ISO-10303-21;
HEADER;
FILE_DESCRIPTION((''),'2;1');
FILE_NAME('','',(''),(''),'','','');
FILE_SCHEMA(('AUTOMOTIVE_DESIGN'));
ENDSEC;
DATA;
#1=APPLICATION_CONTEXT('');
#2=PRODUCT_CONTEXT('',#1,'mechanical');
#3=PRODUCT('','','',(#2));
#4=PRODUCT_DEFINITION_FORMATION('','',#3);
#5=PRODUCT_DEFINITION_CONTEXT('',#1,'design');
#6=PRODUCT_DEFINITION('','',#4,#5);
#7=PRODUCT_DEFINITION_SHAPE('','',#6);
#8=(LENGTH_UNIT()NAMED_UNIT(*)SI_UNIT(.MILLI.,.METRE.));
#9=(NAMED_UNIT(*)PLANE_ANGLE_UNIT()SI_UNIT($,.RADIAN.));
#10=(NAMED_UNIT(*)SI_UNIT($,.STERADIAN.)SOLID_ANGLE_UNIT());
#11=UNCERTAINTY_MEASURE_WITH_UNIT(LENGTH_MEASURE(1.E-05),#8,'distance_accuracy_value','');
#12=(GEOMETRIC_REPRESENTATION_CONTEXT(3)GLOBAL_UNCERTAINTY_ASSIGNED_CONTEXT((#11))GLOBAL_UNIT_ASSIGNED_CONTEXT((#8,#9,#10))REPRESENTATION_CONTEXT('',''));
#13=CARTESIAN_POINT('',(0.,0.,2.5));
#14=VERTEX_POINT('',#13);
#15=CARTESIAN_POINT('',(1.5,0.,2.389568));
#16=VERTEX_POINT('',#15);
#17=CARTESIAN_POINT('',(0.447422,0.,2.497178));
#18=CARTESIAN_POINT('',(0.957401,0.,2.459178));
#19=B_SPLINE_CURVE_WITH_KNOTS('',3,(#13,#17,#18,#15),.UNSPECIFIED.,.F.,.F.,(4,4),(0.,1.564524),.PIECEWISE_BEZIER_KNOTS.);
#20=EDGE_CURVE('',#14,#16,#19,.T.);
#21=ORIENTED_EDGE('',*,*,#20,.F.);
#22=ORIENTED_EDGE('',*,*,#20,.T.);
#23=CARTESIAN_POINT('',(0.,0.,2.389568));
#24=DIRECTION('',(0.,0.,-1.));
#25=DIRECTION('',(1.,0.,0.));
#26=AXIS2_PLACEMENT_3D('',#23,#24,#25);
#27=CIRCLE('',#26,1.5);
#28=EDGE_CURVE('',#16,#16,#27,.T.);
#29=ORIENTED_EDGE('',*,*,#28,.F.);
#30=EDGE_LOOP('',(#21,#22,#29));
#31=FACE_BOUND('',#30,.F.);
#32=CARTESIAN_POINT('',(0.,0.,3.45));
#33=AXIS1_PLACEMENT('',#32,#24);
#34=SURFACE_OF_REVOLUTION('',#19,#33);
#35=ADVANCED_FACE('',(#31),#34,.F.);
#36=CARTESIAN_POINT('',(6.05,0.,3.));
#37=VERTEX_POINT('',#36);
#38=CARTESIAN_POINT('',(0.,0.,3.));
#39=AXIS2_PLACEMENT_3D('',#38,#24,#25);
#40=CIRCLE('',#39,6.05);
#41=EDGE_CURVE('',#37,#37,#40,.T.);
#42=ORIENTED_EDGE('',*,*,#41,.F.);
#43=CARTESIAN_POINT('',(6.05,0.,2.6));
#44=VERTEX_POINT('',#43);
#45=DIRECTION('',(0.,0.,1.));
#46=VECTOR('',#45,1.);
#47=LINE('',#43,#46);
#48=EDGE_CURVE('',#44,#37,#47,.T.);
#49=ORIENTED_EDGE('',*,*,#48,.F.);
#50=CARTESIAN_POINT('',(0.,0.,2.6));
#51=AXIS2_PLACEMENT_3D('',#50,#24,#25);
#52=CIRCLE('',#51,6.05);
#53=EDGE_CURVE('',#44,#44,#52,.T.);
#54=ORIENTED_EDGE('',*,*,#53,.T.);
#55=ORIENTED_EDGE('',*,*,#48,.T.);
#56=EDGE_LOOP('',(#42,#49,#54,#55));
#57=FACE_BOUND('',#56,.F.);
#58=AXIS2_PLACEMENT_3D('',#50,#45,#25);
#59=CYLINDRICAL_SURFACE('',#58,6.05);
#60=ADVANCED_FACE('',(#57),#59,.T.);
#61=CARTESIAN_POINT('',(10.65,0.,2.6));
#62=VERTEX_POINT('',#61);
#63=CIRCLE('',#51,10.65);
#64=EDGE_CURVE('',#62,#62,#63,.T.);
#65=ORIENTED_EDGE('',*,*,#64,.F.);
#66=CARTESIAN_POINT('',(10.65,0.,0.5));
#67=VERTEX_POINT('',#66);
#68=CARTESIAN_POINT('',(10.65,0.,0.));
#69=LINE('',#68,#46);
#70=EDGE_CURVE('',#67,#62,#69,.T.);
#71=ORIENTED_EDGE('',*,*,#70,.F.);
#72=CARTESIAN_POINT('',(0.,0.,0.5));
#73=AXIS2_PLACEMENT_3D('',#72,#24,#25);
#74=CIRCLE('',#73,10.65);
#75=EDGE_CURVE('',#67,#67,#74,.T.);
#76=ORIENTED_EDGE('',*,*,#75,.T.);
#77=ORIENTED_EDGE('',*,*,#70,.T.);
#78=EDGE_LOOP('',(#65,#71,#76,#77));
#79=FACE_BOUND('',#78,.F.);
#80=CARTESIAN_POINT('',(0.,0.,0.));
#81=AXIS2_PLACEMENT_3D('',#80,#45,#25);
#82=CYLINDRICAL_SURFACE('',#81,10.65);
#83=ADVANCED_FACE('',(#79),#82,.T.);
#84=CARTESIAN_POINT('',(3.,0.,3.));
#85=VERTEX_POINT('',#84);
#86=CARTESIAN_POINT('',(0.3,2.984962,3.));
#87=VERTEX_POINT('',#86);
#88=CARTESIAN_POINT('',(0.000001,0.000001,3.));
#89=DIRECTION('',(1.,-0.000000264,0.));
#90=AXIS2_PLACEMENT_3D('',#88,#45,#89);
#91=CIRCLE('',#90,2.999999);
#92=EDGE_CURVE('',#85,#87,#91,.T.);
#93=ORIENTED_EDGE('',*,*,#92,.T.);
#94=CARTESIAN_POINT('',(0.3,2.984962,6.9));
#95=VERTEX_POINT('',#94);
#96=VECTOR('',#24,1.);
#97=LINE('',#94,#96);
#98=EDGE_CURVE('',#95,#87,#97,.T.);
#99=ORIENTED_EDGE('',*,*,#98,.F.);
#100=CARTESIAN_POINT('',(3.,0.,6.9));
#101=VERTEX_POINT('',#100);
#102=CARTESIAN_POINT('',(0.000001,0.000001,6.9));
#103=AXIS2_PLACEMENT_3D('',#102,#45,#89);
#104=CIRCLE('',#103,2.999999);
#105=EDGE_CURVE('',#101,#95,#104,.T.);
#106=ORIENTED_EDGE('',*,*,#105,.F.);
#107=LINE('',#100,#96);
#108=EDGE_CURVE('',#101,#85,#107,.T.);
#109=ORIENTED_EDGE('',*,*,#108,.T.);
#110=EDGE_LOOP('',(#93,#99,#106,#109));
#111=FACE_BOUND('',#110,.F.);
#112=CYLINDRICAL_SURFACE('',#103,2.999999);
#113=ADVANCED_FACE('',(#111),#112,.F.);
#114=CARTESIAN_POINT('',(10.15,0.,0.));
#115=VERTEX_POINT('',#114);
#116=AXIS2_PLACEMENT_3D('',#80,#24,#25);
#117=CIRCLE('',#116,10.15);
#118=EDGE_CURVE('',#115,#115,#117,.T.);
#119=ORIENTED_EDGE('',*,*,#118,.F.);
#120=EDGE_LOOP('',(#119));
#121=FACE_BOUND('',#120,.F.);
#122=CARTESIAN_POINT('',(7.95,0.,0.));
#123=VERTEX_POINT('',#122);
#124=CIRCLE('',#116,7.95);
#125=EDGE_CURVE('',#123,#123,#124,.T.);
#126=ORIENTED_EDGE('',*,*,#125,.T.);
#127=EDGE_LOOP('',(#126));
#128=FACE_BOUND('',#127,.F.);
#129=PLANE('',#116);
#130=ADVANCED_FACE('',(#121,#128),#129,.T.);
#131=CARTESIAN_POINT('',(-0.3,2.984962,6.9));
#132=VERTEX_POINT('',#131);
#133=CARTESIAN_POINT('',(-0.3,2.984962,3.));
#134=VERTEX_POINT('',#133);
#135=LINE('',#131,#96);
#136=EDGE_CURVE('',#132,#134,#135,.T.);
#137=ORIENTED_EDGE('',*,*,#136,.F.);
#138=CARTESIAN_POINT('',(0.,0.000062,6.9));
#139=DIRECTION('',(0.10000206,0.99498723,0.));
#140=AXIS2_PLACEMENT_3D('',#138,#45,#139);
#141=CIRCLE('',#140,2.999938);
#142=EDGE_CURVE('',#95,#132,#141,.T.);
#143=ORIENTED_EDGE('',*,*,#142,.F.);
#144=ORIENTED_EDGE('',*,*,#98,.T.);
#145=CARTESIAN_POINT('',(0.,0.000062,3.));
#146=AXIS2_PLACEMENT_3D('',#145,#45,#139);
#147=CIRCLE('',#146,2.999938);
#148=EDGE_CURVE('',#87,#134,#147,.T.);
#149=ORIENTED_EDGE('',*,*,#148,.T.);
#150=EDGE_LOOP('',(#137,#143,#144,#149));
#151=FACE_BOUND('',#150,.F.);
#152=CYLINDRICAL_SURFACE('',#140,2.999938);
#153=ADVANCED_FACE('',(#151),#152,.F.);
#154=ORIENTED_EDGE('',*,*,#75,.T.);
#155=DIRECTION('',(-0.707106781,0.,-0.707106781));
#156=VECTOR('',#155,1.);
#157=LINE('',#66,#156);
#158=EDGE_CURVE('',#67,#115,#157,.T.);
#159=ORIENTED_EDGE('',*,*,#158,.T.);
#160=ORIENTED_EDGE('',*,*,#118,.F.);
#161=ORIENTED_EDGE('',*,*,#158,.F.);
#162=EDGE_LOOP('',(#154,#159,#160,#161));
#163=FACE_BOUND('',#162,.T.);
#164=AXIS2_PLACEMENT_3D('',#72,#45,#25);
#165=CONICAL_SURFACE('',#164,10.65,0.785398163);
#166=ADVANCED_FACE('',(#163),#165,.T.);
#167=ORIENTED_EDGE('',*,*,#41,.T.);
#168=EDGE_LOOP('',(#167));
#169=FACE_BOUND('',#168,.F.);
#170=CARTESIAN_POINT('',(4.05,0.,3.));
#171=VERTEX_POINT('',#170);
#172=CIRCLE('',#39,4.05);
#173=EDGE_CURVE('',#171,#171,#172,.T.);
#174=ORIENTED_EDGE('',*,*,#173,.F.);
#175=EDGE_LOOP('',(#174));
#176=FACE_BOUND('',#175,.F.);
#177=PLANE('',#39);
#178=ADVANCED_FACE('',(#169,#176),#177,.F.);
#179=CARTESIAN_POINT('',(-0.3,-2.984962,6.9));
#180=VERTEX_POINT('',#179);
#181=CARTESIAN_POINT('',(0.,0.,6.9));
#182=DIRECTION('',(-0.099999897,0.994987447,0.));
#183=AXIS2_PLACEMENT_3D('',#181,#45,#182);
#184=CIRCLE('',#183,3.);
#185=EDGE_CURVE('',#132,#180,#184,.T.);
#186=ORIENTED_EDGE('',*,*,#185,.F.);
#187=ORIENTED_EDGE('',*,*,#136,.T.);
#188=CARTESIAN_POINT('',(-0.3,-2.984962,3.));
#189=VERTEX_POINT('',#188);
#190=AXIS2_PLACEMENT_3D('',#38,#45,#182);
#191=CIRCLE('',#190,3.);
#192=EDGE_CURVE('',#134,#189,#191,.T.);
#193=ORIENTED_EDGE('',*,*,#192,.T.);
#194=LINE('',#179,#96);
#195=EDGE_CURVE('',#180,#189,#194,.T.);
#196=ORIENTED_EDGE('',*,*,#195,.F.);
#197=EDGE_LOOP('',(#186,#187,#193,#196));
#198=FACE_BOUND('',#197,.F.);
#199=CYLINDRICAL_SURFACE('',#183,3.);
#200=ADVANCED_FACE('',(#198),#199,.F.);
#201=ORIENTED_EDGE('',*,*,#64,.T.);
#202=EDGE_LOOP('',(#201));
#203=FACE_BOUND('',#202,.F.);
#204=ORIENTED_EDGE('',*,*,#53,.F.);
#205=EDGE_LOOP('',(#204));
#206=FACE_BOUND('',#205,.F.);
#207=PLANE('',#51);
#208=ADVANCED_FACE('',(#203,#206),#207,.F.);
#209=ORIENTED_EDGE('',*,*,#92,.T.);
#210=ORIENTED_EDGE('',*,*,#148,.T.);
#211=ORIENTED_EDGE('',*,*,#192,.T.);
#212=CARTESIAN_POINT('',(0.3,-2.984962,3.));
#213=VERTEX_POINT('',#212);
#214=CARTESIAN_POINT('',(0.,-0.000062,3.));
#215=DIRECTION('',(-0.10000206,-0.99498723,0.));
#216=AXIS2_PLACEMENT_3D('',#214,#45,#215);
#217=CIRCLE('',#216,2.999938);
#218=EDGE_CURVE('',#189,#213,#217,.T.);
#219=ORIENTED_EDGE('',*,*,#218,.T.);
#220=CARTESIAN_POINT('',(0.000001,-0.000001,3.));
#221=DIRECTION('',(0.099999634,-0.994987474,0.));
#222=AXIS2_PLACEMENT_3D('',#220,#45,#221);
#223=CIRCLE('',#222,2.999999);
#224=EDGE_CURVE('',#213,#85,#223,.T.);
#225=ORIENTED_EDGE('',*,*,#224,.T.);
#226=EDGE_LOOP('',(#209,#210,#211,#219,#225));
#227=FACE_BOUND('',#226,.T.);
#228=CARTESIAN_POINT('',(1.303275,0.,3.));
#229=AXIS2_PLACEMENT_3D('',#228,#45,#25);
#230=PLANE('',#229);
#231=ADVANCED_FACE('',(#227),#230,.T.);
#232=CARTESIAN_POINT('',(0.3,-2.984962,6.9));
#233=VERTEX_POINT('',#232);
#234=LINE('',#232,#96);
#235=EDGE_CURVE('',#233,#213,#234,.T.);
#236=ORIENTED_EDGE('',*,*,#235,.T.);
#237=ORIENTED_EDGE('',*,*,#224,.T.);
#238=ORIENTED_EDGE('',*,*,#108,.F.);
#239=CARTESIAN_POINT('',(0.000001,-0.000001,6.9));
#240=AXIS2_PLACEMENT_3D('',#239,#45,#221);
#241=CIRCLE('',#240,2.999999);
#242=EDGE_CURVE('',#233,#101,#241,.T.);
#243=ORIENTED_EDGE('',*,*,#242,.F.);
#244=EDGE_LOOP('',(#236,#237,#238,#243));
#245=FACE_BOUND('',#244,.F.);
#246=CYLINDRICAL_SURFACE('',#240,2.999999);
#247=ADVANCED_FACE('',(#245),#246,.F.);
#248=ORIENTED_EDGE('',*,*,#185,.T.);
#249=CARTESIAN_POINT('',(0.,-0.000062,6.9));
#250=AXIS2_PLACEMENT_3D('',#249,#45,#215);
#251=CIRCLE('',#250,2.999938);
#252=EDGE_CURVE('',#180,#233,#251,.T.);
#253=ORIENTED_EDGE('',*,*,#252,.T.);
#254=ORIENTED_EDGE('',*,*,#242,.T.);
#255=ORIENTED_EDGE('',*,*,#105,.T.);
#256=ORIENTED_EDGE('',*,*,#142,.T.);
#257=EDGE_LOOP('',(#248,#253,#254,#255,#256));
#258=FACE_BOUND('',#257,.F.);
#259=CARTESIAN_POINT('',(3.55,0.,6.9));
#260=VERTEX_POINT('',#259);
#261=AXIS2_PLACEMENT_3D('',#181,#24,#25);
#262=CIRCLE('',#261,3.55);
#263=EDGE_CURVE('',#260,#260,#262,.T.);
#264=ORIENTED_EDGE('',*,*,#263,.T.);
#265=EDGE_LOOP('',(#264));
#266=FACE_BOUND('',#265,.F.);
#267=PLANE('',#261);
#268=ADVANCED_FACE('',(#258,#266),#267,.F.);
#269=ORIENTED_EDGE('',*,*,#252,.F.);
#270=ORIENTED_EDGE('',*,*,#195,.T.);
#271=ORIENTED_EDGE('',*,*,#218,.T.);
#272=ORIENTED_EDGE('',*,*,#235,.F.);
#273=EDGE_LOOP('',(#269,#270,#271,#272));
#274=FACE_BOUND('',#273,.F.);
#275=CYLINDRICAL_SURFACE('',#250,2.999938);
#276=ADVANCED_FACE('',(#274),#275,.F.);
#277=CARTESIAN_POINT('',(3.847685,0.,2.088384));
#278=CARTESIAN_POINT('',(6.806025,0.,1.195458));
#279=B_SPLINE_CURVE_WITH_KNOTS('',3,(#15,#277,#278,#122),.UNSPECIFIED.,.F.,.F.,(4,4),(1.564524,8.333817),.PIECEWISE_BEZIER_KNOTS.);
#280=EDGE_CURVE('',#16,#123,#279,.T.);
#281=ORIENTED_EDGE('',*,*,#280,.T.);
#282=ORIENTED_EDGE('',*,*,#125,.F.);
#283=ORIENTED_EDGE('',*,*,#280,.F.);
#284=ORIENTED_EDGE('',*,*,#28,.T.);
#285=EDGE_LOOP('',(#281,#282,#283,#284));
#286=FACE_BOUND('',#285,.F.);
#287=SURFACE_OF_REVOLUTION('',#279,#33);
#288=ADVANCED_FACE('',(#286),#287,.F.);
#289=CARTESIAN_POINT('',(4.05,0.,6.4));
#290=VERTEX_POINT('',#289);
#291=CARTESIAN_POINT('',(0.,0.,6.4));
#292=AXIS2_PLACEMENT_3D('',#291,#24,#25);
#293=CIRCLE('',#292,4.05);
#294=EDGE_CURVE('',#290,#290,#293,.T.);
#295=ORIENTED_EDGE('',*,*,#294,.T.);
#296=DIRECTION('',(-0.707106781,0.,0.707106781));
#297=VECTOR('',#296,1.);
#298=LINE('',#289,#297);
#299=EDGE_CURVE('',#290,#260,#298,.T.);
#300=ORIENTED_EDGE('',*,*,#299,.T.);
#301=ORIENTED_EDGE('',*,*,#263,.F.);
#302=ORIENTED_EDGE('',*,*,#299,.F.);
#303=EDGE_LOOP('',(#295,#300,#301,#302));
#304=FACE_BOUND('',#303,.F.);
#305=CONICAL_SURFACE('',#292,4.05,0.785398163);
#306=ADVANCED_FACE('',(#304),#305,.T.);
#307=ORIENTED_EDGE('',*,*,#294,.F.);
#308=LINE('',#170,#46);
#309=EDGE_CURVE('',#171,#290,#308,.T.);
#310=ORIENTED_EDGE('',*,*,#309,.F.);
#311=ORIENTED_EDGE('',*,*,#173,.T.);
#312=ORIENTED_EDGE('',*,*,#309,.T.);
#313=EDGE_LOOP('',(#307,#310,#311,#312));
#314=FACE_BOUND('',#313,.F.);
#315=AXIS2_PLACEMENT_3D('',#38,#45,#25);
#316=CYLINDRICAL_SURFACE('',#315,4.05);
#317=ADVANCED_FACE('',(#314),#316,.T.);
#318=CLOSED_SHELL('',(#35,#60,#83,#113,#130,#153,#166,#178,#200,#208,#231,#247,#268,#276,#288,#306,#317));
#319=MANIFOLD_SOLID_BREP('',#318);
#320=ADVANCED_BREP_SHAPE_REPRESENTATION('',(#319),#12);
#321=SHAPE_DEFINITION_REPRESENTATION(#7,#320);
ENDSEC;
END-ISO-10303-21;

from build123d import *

# Parameters (mm, degrees)
F2_SIZE  = 0.5
F3_SIZE  = 0.5
F6_DEPTH = 3.9


with BuildPart() as f1:
    # F0 (on Front) → F1 (revolve)
    with BuildSketch(Plane.XZ):
        with BuildLine():
            add(Edge.make_bspline(
                [(1.5, 2.389568), (3.847685, 2.088384), (6.806025, 1.195458), (7.95, 0)],
                knots=[1.564524, 1.564524, 1.564524, 1.564524, 8.333817, 8.333817, 8.333817, 8.333817], degree=3))
            Line((7.95, 0), (10.65, 0))
            Line((10.65, 0), (10.65, 2.6))
            Line((10.65, 2.6), (6.05, 2.6))
            Line((6.05, 2.6), (6.05, 3))
            Line((6.05, 3), (4.05, 3))
            Line((4.05, 3), (4.05, 6.9))
            Line((4.05, 6.9), (0, 6.9))
            Line((0, 6.9), (0, 2.889568))
            Line((0, 2.889568), (1.5, 2.889568))
            Line((1.5, 2.889568), (1.5, 2.389568))
        make_face()
        with BuildLine():
            Line((0, 2.889568), (0, 2.5))
            add(Edge.make_bspline(
                [(0, 2.5), (0.447422, 2.497178), (0.957401, 2.459178), (1.5, 2.389568)],
                knots=[0, 0, 0, 0, 1.564524, 1.564524, 1.564524, 1.564524], degree=3))
            Line((1.5, 2.389568), (1.5, 2.889568))
            Line((1.5, 2.889568), (0, 2.889568))
        make_face()
    revolve(axis=Axis((0, 0, 3.45), (0, 0, -1)))

    # F2
    f2_edges = [f1.edges().sort_by_distance(p)[0] for p in [
        (-4.05, 0, 6.9),
    ]]
    chamfer(f2_edges, length=F2_SIZE)

    # F3
    f3_edges = [f1.edges().sort_by_distance(p)[0] for p in [
        (-10.65, 0, 0),
    ]]
    chamfer(f3_edges, length=F3_SIZE)

    # F5 (on offset) → F6 (cut)
    with BuildSketch(Plane.XY.offset(6.9)):
        with BuildLine():
            ThreePointArc((0.3, -2.984962), (2.22486, -2.012461), (3, 0))
            ThreePointArc((3, 0), (2.22486, 2.012461), (0.3, 2.984962))
            Line((0.3, 2.984962), (0.3, 0))
            Line((0.3, 0), (0.3, -2.984962))
        make_face()
        with BuildLine():
            Line((0.3, 0), (0.3, 2.984962))
            ThreePointArc((0.3, 2.984962), (0, 3), (-0.3, 2.984962))
            Line((-0.3, 2.984962), (-0.3, 0))
            Line((-0.3, 0), (0, 0))
            Line((0, 0), (0.3, 0))
        make_face()
        with BuildLine():
            ThreePointArc((-0.3, -2.984962), (0, -3), (0.3, -2.984962))
            Line((0.3, -2.984962), (0.3, 0))
            Line((0.3, 0), (0, 0))
            Line((0, 0), (-0.3, 0))
            Line((-0.3, 0), (-0.3, -2.984962))
        make_face()
        with BuildLine():
            Line((-0.3, 0), (-0.3, 2.984962))
            ThreePointArc((-0.3, 2.984962), (-3, 0), (-0.3, -2.984962))
            Line((-0.3, -2.984962), (-0.3, 0))
        make_face()
    extrude(amount=-F6_DEPTH, mode=Mode.SUBTRACT)


solid = f1.part
